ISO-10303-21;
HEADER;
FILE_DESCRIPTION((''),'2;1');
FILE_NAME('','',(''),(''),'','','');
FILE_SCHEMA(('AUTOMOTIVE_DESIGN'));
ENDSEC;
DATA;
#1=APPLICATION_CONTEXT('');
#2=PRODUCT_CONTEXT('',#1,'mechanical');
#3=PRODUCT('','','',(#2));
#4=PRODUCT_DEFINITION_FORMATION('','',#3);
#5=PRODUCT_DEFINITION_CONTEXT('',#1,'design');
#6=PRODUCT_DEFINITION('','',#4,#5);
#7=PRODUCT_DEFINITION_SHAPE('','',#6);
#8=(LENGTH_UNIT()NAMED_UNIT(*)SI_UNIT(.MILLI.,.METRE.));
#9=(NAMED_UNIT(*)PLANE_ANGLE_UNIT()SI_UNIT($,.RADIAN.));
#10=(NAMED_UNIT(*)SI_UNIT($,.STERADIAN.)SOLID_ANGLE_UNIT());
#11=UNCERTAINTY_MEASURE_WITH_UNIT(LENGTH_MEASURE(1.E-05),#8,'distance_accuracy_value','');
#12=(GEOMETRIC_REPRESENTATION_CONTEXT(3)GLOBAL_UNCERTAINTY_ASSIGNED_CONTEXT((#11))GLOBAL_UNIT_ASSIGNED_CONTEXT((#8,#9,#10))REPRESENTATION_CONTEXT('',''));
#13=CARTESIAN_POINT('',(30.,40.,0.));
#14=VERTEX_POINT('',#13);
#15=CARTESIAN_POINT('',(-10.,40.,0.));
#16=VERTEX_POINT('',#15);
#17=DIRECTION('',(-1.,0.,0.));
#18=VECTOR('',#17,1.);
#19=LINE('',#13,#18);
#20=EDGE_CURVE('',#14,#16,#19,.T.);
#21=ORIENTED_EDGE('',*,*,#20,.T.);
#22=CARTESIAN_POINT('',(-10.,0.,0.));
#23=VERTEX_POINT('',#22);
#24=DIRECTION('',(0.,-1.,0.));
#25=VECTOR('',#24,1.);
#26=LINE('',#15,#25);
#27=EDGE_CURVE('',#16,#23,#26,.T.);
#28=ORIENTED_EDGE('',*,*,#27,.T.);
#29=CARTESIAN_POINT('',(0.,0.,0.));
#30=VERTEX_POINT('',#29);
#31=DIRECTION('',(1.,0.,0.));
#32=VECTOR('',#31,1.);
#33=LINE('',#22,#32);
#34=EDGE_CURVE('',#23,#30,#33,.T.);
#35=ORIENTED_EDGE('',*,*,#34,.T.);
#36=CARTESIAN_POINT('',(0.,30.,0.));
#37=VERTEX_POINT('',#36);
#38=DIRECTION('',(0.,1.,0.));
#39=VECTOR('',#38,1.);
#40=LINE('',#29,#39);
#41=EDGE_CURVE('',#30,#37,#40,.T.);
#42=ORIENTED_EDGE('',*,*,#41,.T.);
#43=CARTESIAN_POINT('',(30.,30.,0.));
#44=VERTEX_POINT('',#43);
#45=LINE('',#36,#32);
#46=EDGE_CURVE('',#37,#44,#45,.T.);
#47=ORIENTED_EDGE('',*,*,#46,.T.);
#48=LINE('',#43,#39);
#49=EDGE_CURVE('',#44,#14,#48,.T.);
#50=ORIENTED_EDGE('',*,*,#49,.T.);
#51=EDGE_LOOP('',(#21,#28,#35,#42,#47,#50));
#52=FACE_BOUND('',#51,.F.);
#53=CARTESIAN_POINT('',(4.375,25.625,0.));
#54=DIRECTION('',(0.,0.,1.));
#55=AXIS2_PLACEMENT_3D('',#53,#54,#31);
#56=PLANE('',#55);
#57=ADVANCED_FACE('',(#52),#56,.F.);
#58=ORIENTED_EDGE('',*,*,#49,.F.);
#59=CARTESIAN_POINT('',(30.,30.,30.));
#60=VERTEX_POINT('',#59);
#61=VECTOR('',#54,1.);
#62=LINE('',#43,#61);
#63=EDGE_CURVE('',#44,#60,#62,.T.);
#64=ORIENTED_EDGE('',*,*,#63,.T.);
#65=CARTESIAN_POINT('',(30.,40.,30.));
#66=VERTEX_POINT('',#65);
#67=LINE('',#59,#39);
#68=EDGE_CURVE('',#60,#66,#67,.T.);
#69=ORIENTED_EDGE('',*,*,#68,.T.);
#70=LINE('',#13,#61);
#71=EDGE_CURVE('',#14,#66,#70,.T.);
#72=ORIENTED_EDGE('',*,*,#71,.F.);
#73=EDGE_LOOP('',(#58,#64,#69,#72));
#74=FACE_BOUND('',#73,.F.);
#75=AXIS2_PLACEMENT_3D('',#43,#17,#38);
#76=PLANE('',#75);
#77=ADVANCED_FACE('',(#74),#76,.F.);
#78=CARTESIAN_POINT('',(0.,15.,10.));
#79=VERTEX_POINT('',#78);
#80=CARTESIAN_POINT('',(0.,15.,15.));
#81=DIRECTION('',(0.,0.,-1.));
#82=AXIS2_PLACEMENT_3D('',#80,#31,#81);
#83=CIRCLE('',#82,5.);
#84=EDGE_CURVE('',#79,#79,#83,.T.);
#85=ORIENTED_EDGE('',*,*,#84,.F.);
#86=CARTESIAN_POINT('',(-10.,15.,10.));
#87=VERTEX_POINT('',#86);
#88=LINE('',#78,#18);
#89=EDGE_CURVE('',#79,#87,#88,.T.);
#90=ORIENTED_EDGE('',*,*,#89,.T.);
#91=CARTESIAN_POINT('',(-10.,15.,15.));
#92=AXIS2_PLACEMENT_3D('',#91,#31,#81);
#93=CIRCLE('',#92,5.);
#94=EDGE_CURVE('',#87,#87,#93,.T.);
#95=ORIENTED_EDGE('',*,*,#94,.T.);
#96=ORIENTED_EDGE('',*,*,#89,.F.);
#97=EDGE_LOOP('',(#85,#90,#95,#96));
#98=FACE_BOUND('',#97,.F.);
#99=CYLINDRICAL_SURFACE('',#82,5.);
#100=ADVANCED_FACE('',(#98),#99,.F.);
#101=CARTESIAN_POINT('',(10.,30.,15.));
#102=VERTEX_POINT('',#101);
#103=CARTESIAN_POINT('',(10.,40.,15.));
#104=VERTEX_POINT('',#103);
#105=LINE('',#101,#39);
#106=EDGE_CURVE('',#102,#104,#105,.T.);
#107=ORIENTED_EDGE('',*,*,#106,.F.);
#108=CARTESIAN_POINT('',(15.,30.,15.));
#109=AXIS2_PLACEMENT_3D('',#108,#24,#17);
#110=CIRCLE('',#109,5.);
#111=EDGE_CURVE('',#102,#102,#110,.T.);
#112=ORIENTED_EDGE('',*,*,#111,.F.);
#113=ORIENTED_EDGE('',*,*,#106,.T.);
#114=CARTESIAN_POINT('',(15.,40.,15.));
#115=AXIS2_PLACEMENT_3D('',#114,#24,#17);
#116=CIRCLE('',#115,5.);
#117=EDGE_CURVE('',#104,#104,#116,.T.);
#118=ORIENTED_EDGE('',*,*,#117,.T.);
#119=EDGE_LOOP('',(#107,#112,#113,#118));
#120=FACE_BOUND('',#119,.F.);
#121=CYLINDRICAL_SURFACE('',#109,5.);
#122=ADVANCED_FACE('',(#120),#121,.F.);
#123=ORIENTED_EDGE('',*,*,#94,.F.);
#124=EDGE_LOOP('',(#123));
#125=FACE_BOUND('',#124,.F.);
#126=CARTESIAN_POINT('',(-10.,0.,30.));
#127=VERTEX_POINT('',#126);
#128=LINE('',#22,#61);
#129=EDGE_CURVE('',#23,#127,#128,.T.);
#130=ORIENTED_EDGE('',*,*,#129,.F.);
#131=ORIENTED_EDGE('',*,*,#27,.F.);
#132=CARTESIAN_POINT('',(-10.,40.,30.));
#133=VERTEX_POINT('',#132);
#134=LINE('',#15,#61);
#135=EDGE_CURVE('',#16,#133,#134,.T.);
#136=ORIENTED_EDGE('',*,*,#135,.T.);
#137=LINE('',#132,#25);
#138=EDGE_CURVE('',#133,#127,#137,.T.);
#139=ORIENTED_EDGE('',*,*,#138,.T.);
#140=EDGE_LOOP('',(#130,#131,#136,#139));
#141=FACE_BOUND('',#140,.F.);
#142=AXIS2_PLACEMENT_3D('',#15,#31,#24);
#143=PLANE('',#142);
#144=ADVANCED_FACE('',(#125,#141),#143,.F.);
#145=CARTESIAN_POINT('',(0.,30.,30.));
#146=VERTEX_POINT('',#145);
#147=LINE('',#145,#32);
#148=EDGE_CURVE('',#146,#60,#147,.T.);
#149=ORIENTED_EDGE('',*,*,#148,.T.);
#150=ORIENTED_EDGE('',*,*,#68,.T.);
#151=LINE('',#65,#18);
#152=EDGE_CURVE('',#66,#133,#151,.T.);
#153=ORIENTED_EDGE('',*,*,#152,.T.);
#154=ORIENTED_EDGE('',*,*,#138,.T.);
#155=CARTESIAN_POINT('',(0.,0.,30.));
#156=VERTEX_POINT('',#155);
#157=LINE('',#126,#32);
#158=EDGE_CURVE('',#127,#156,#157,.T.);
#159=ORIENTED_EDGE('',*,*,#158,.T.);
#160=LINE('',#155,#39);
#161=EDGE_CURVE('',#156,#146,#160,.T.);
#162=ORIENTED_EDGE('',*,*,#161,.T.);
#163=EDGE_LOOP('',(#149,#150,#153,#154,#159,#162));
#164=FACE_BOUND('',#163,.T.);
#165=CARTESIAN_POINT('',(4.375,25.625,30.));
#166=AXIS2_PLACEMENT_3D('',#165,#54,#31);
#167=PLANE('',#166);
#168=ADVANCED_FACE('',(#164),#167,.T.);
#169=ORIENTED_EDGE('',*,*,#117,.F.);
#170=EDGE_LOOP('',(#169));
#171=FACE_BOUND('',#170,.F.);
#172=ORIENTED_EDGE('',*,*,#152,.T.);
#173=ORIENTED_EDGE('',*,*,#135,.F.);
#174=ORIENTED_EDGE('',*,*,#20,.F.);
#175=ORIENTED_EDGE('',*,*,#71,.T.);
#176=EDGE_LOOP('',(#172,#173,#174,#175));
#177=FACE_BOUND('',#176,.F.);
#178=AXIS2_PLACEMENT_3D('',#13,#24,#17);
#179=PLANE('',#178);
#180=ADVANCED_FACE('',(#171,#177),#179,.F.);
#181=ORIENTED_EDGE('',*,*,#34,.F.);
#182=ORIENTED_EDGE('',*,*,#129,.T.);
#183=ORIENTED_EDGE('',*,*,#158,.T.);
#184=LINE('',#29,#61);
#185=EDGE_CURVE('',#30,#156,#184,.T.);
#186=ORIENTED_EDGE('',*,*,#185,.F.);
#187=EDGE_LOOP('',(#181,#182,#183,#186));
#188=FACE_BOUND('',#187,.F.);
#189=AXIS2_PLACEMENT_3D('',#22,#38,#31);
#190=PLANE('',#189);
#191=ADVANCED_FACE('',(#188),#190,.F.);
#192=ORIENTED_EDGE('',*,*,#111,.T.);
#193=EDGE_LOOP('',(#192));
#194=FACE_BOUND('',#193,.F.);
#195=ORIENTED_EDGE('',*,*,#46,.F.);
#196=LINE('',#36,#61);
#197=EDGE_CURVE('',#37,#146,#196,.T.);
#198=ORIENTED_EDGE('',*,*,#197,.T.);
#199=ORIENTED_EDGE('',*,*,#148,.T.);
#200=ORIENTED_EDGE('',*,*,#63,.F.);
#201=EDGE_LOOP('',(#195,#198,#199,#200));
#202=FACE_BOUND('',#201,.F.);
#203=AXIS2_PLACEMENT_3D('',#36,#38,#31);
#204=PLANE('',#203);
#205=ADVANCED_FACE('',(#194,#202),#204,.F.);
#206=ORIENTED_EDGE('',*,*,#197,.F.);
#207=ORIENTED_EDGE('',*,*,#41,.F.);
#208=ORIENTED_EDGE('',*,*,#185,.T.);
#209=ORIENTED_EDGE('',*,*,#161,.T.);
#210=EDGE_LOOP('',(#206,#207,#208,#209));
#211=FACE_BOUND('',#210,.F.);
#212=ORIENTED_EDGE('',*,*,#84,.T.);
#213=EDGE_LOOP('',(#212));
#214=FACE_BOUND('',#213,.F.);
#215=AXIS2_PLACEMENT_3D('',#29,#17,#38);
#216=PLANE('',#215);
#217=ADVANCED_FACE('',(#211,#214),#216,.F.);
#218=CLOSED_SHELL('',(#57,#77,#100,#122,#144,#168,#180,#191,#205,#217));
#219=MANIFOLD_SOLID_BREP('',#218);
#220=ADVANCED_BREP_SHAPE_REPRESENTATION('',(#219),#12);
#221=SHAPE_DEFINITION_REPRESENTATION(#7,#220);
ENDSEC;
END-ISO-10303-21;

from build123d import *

# Parameters (mm, degrees)
EXTRUDE_THIN1_DEPTH     = 30
SKETCH2_R               = 5
CUT_EXTRUDE1_DEPTH      = 31
CUT_EXTRUDE1_DEPTH_BACK = 11
SKETCH3_R               = 5
CUT_EXTRUDE2_DEPTH      = 11


with BuildPart() as part:
    # Sketch1 → Extrude-Thin1 (new body)
    with BuildSketch(Plane.XY):
        Polygon((0, 0), (0, 30), (30, 30), (30, 40), (-10, 40), (-10, 0), align=None)
    extrude(amount=EXTRUDE_THIN1_DEPTH)

    # Sketch2 → Cut-Extrude1 (cut, two sides)
    with BuildSketch(Plane(origin=(0, 30, 0), x_dir=(-1, 0, 0), z_dir=(0, -1, 0))) as cut_extrude1_sk:
        with Locations((-15, -15)):
            Circle(SKETCH2_R)
    extrude(amount=CUT_EXTRUDE1_DEPTH, mode=Mode.SUBTRACT)
    extrude(cut_extrude1_sk.sketch, amount=-CUT_EXTRUDE1_DEPTH_BACK, mode=Mode.SUBTRACT)

    # Sketch3 → Cut-Extrude2 (cut, through all)
    with BuildSketch(Plane(origin=(0, 0, 0), x_dir=(0, 0, -1), z_dir=(1, 0, 0))):
        with Locations((-15, 15)):
            Circle(SKETCH3_R)
    extrude(amount=-CUT_EXTRUDE2_DEPTH, mode=Mode.SUBTRACT)


solid = part.part
